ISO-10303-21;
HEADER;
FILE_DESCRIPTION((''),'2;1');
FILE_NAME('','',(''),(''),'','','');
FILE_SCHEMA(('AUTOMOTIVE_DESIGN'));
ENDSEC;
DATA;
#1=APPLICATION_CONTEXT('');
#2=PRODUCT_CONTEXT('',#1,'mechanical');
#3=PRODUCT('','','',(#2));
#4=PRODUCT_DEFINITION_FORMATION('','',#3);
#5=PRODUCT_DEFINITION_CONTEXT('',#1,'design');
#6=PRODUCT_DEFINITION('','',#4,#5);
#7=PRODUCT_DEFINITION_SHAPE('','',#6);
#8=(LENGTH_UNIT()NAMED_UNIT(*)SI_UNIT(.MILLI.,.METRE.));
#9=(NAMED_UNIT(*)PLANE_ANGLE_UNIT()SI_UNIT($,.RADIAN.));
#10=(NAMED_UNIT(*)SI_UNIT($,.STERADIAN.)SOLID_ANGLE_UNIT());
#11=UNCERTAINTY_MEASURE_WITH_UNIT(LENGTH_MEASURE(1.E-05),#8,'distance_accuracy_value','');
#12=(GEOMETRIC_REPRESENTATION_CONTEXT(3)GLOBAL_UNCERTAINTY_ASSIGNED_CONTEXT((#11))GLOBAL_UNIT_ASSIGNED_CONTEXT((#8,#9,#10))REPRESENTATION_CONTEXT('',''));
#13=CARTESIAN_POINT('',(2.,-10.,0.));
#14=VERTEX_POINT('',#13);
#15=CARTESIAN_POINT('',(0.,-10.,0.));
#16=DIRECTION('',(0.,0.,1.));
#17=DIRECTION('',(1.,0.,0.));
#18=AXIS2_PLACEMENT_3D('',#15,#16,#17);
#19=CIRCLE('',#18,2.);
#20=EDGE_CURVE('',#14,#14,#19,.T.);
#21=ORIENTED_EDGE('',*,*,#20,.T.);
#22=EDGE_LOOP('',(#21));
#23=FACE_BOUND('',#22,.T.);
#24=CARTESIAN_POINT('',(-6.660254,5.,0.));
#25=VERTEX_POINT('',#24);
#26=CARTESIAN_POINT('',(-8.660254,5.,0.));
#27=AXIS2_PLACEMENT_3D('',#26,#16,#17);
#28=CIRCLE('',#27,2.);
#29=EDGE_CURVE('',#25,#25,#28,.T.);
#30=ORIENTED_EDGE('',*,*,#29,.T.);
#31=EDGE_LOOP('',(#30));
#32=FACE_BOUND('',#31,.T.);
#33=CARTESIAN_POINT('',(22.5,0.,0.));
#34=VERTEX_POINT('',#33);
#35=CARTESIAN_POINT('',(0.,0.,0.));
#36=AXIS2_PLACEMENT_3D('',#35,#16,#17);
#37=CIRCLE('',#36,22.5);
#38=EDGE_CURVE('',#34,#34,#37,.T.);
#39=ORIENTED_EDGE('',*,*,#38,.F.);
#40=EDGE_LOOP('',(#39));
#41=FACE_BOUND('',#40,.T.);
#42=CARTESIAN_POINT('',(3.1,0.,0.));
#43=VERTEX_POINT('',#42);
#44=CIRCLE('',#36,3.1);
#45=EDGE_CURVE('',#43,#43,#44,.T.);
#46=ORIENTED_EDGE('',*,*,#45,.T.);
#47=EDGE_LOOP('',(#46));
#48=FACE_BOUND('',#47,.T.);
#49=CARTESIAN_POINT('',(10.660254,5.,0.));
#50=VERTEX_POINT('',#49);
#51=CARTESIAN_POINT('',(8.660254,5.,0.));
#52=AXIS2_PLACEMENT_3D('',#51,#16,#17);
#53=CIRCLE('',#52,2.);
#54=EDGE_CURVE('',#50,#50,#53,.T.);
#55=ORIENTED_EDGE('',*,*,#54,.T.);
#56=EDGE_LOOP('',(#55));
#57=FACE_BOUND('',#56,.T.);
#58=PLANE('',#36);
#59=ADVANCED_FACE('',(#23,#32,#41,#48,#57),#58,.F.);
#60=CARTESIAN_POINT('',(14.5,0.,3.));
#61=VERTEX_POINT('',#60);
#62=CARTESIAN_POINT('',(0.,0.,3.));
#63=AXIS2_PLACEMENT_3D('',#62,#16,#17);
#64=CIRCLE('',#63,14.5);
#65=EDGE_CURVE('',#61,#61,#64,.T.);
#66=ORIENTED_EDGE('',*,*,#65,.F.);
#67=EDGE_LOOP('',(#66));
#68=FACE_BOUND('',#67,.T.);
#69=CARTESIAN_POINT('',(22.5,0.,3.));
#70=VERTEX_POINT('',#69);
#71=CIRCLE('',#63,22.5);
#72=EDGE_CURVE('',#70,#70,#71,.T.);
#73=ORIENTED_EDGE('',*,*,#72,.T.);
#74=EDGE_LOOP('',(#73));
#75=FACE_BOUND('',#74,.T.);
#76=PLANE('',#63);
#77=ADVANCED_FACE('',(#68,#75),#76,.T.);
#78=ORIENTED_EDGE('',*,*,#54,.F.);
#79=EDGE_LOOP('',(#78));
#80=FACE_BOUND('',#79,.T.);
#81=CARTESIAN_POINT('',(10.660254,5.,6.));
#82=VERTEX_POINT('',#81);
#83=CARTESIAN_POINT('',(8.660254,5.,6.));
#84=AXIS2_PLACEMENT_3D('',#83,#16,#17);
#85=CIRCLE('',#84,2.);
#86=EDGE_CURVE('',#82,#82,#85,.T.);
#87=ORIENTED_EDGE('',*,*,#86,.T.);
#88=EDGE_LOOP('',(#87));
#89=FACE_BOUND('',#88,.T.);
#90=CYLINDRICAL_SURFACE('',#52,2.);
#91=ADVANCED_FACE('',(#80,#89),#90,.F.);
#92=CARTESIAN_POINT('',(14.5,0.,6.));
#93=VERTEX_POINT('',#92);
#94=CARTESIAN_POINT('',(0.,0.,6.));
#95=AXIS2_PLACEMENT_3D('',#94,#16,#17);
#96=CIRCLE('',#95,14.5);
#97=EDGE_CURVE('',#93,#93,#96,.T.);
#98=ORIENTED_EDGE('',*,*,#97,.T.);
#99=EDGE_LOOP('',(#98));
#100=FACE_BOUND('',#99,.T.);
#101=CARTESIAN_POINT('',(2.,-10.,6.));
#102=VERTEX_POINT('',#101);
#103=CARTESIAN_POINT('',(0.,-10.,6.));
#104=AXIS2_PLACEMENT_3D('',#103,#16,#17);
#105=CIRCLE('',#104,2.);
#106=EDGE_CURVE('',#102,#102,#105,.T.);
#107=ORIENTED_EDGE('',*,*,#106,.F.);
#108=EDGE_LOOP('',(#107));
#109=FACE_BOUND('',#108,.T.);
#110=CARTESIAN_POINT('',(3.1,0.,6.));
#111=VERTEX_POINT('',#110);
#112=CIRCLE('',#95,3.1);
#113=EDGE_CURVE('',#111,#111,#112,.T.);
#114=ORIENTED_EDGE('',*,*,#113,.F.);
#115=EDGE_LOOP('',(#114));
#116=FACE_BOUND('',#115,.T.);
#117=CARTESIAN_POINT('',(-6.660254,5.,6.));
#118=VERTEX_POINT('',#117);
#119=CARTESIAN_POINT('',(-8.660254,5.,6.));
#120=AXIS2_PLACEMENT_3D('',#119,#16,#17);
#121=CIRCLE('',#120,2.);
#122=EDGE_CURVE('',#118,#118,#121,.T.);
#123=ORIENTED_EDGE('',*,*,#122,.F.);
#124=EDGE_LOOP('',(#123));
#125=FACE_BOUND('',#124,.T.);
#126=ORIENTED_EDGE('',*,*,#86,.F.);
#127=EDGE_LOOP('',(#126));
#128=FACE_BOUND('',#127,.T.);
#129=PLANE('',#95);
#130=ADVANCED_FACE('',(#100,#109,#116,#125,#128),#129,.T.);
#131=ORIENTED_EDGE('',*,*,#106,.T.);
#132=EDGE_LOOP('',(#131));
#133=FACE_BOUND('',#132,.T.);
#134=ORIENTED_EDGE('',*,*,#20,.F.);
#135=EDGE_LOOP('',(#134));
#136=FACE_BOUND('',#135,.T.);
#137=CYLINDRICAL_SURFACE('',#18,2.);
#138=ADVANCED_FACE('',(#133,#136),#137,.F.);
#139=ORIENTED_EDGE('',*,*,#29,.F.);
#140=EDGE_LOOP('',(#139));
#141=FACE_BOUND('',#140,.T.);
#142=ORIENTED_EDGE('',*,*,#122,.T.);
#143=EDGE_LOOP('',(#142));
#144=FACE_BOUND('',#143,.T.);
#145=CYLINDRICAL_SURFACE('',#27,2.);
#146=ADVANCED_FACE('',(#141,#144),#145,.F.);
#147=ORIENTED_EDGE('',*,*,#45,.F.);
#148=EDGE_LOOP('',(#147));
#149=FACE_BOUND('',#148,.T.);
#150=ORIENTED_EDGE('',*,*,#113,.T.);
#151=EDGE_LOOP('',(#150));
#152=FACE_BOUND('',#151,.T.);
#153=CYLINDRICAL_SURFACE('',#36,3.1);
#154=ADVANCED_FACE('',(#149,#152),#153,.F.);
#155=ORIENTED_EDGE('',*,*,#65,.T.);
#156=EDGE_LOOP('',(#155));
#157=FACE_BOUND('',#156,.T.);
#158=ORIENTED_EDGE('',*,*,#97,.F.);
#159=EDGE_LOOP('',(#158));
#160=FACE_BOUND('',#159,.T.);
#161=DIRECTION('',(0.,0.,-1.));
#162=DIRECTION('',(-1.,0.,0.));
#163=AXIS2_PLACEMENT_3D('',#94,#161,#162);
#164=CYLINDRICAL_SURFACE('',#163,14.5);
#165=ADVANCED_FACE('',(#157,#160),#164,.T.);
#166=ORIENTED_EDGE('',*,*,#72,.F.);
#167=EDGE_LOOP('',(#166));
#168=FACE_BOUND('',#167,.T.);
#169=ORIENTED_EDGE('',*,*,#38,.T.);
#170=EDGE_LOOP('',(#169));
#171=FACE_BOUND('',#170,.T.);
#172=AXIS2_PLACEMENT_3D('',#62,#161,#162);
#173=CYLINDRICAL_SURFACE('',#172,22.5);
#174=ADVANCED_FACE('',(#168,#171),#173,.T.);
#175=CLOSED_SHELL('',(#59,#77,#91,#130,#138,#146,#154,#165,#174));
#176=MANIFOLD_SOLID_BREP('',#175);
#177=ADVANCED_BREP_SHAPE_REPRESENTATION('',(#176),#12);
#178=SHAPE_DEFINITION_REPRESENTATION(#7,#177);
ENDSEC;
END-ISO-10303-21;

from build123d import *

# Parameters (mm, degrees)
ESQUISSE1_R             = 22.5
BOSS_EXTRU_1_DEPTH      = 3
ESQUISSE2_R             = 14.5
BOSS_EXTRU_2_DEPTH      = 3
ESQUISSE3_R             = 2
ESQUISSE3_R_2           = 3.1
ENL_V_MAT_EXTRU_1_DEPTH = 33.380549717


with BuildPart() as part:
    # Esquisse1 → Boss.-Extru.1 (new body)
    with BuildSketch(Plane.XY):
        Circle(ESQUISSE1_R)
    extrude(amount=BOSS_EXTRU_1_DEPTH)

    # Esquisse2 → Boss.-Extru.2 (add)
    with BuildSketch(Plane.XY.offset(3)):
        Circle(ESQUISSE2_R)
    extrude(amount=BOSS_EXTRU_2_DEPTH)

    # Esquisse3 → Enlèv. mat.-Extru.1 (cut, through all)
    with BuildSketch(Plane.XY.offset(6)):
        with Locations((8.660254038, 5)):
            Circle(ESQUISSE3_R)
        with Locations((-8.660254038, 5)):
            Circle(ESQUISSE3_R)
        with Locations((0, -10)):
            Circle(ESQUISSE3_R)
        Circle(ESQUISSE3_R_2)
    extrude(amount=-ENL_V_MAT_EXTRU_1_DEPTH, mode=Mode.SUBTRACT)


solid = part.part
